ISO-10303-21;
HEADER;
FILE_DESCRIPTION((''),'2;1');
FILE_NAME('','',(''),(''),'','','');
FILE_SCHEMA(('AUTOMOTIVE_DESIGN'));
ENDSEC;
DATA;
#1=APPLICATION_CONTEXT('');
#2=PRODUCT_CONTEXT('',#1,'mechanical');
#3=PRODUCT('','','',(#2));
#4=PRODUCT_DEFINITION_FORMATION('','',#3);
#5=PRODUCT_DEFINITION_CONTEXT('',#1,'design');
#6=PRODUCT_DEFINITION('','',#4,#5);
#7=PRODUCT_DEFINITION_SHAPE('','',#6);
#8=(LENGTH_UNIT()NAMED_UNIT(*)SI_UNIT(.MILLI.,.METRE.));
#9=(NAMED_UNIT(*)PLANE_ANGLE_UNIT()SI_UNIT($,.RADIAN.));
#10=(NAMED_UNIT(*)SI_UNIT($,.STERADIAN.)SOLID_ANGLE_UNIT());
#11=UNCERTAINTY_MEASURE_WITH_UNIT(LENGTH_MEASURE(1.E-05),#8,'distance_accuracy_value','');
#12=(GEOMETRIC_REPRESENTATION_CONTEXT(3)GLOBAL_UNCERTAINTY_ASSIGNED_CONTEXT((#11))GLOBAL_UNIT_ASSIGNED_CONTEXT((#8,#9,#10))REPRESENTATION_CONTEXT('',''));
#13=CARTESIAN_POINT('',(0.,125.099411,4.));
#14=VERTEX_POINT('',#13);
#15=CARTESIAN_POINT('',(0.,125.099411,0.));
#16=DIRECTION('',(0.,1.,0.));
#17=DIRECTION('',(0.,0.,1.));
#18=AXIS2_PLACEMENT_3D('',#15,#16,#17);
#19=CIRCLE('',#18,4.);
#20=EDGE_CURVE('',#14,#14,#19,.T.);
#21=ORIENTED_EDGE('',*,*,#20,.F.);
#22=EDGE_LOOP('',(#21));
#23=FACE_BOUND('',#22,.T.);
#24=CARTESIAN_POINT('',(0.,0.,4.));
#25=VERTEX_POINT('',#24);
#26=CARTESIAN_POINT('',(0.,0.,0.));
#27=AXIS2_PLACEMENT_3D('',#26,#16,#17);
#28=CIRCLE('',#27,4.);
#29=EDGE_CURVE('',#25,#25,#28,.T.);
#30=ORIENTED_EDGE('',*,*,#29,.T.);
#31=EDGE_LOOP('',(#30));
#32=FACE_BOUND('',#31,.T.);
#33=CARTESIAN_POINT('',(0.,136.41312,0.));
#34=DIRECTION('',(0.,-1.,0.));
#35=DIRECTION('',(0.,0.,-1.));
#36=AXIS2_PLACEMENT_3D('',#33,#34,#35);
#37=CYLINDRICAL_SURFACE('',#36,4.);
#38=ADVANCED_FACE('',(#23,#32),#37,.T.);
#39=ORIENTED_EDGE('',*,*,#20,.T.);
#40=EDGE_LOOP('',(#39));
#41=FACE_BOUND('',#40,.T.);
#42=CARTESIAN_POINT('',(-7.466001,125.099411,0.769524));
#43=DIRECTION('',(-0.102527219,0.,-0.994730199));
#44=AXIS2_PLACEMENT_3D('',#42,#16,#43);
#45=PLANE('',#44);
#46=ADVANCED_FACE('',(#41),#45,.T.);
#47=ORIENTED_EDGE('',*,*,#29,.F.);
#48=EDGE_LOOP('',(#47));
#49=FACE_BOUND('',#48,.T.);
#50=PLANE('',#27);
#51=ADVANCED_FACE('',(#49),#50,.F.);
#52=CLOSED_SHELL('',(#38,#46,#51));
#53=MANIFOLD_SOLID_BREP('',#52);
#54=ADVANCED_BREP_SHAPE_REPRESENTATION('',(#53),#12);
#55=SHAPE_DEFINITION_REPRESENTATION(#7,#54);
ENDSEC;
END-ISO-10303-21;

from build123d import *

# Parameters (mm, degrees)
ESBO_O1_R                = 4
RESSALTO_EXTRUS_O1_DEPTH = 125.099411275


with BuildPart() as part:
    # Esboço1 → Ressalto-extrusão1 (new body)
    with BuildSketch(Plane(origin=(0, 0, 0), x_dir=(1, 0, 0), z_dir=(0, 1, 0))):
        with Locations(Location((0, 0, 0), (0, 0, 270))):
            Circle(ESBO_O1_R)
    extrude(amount=RESSALTO_EXTRUS_O1_DEPTH)


solid = part.part
